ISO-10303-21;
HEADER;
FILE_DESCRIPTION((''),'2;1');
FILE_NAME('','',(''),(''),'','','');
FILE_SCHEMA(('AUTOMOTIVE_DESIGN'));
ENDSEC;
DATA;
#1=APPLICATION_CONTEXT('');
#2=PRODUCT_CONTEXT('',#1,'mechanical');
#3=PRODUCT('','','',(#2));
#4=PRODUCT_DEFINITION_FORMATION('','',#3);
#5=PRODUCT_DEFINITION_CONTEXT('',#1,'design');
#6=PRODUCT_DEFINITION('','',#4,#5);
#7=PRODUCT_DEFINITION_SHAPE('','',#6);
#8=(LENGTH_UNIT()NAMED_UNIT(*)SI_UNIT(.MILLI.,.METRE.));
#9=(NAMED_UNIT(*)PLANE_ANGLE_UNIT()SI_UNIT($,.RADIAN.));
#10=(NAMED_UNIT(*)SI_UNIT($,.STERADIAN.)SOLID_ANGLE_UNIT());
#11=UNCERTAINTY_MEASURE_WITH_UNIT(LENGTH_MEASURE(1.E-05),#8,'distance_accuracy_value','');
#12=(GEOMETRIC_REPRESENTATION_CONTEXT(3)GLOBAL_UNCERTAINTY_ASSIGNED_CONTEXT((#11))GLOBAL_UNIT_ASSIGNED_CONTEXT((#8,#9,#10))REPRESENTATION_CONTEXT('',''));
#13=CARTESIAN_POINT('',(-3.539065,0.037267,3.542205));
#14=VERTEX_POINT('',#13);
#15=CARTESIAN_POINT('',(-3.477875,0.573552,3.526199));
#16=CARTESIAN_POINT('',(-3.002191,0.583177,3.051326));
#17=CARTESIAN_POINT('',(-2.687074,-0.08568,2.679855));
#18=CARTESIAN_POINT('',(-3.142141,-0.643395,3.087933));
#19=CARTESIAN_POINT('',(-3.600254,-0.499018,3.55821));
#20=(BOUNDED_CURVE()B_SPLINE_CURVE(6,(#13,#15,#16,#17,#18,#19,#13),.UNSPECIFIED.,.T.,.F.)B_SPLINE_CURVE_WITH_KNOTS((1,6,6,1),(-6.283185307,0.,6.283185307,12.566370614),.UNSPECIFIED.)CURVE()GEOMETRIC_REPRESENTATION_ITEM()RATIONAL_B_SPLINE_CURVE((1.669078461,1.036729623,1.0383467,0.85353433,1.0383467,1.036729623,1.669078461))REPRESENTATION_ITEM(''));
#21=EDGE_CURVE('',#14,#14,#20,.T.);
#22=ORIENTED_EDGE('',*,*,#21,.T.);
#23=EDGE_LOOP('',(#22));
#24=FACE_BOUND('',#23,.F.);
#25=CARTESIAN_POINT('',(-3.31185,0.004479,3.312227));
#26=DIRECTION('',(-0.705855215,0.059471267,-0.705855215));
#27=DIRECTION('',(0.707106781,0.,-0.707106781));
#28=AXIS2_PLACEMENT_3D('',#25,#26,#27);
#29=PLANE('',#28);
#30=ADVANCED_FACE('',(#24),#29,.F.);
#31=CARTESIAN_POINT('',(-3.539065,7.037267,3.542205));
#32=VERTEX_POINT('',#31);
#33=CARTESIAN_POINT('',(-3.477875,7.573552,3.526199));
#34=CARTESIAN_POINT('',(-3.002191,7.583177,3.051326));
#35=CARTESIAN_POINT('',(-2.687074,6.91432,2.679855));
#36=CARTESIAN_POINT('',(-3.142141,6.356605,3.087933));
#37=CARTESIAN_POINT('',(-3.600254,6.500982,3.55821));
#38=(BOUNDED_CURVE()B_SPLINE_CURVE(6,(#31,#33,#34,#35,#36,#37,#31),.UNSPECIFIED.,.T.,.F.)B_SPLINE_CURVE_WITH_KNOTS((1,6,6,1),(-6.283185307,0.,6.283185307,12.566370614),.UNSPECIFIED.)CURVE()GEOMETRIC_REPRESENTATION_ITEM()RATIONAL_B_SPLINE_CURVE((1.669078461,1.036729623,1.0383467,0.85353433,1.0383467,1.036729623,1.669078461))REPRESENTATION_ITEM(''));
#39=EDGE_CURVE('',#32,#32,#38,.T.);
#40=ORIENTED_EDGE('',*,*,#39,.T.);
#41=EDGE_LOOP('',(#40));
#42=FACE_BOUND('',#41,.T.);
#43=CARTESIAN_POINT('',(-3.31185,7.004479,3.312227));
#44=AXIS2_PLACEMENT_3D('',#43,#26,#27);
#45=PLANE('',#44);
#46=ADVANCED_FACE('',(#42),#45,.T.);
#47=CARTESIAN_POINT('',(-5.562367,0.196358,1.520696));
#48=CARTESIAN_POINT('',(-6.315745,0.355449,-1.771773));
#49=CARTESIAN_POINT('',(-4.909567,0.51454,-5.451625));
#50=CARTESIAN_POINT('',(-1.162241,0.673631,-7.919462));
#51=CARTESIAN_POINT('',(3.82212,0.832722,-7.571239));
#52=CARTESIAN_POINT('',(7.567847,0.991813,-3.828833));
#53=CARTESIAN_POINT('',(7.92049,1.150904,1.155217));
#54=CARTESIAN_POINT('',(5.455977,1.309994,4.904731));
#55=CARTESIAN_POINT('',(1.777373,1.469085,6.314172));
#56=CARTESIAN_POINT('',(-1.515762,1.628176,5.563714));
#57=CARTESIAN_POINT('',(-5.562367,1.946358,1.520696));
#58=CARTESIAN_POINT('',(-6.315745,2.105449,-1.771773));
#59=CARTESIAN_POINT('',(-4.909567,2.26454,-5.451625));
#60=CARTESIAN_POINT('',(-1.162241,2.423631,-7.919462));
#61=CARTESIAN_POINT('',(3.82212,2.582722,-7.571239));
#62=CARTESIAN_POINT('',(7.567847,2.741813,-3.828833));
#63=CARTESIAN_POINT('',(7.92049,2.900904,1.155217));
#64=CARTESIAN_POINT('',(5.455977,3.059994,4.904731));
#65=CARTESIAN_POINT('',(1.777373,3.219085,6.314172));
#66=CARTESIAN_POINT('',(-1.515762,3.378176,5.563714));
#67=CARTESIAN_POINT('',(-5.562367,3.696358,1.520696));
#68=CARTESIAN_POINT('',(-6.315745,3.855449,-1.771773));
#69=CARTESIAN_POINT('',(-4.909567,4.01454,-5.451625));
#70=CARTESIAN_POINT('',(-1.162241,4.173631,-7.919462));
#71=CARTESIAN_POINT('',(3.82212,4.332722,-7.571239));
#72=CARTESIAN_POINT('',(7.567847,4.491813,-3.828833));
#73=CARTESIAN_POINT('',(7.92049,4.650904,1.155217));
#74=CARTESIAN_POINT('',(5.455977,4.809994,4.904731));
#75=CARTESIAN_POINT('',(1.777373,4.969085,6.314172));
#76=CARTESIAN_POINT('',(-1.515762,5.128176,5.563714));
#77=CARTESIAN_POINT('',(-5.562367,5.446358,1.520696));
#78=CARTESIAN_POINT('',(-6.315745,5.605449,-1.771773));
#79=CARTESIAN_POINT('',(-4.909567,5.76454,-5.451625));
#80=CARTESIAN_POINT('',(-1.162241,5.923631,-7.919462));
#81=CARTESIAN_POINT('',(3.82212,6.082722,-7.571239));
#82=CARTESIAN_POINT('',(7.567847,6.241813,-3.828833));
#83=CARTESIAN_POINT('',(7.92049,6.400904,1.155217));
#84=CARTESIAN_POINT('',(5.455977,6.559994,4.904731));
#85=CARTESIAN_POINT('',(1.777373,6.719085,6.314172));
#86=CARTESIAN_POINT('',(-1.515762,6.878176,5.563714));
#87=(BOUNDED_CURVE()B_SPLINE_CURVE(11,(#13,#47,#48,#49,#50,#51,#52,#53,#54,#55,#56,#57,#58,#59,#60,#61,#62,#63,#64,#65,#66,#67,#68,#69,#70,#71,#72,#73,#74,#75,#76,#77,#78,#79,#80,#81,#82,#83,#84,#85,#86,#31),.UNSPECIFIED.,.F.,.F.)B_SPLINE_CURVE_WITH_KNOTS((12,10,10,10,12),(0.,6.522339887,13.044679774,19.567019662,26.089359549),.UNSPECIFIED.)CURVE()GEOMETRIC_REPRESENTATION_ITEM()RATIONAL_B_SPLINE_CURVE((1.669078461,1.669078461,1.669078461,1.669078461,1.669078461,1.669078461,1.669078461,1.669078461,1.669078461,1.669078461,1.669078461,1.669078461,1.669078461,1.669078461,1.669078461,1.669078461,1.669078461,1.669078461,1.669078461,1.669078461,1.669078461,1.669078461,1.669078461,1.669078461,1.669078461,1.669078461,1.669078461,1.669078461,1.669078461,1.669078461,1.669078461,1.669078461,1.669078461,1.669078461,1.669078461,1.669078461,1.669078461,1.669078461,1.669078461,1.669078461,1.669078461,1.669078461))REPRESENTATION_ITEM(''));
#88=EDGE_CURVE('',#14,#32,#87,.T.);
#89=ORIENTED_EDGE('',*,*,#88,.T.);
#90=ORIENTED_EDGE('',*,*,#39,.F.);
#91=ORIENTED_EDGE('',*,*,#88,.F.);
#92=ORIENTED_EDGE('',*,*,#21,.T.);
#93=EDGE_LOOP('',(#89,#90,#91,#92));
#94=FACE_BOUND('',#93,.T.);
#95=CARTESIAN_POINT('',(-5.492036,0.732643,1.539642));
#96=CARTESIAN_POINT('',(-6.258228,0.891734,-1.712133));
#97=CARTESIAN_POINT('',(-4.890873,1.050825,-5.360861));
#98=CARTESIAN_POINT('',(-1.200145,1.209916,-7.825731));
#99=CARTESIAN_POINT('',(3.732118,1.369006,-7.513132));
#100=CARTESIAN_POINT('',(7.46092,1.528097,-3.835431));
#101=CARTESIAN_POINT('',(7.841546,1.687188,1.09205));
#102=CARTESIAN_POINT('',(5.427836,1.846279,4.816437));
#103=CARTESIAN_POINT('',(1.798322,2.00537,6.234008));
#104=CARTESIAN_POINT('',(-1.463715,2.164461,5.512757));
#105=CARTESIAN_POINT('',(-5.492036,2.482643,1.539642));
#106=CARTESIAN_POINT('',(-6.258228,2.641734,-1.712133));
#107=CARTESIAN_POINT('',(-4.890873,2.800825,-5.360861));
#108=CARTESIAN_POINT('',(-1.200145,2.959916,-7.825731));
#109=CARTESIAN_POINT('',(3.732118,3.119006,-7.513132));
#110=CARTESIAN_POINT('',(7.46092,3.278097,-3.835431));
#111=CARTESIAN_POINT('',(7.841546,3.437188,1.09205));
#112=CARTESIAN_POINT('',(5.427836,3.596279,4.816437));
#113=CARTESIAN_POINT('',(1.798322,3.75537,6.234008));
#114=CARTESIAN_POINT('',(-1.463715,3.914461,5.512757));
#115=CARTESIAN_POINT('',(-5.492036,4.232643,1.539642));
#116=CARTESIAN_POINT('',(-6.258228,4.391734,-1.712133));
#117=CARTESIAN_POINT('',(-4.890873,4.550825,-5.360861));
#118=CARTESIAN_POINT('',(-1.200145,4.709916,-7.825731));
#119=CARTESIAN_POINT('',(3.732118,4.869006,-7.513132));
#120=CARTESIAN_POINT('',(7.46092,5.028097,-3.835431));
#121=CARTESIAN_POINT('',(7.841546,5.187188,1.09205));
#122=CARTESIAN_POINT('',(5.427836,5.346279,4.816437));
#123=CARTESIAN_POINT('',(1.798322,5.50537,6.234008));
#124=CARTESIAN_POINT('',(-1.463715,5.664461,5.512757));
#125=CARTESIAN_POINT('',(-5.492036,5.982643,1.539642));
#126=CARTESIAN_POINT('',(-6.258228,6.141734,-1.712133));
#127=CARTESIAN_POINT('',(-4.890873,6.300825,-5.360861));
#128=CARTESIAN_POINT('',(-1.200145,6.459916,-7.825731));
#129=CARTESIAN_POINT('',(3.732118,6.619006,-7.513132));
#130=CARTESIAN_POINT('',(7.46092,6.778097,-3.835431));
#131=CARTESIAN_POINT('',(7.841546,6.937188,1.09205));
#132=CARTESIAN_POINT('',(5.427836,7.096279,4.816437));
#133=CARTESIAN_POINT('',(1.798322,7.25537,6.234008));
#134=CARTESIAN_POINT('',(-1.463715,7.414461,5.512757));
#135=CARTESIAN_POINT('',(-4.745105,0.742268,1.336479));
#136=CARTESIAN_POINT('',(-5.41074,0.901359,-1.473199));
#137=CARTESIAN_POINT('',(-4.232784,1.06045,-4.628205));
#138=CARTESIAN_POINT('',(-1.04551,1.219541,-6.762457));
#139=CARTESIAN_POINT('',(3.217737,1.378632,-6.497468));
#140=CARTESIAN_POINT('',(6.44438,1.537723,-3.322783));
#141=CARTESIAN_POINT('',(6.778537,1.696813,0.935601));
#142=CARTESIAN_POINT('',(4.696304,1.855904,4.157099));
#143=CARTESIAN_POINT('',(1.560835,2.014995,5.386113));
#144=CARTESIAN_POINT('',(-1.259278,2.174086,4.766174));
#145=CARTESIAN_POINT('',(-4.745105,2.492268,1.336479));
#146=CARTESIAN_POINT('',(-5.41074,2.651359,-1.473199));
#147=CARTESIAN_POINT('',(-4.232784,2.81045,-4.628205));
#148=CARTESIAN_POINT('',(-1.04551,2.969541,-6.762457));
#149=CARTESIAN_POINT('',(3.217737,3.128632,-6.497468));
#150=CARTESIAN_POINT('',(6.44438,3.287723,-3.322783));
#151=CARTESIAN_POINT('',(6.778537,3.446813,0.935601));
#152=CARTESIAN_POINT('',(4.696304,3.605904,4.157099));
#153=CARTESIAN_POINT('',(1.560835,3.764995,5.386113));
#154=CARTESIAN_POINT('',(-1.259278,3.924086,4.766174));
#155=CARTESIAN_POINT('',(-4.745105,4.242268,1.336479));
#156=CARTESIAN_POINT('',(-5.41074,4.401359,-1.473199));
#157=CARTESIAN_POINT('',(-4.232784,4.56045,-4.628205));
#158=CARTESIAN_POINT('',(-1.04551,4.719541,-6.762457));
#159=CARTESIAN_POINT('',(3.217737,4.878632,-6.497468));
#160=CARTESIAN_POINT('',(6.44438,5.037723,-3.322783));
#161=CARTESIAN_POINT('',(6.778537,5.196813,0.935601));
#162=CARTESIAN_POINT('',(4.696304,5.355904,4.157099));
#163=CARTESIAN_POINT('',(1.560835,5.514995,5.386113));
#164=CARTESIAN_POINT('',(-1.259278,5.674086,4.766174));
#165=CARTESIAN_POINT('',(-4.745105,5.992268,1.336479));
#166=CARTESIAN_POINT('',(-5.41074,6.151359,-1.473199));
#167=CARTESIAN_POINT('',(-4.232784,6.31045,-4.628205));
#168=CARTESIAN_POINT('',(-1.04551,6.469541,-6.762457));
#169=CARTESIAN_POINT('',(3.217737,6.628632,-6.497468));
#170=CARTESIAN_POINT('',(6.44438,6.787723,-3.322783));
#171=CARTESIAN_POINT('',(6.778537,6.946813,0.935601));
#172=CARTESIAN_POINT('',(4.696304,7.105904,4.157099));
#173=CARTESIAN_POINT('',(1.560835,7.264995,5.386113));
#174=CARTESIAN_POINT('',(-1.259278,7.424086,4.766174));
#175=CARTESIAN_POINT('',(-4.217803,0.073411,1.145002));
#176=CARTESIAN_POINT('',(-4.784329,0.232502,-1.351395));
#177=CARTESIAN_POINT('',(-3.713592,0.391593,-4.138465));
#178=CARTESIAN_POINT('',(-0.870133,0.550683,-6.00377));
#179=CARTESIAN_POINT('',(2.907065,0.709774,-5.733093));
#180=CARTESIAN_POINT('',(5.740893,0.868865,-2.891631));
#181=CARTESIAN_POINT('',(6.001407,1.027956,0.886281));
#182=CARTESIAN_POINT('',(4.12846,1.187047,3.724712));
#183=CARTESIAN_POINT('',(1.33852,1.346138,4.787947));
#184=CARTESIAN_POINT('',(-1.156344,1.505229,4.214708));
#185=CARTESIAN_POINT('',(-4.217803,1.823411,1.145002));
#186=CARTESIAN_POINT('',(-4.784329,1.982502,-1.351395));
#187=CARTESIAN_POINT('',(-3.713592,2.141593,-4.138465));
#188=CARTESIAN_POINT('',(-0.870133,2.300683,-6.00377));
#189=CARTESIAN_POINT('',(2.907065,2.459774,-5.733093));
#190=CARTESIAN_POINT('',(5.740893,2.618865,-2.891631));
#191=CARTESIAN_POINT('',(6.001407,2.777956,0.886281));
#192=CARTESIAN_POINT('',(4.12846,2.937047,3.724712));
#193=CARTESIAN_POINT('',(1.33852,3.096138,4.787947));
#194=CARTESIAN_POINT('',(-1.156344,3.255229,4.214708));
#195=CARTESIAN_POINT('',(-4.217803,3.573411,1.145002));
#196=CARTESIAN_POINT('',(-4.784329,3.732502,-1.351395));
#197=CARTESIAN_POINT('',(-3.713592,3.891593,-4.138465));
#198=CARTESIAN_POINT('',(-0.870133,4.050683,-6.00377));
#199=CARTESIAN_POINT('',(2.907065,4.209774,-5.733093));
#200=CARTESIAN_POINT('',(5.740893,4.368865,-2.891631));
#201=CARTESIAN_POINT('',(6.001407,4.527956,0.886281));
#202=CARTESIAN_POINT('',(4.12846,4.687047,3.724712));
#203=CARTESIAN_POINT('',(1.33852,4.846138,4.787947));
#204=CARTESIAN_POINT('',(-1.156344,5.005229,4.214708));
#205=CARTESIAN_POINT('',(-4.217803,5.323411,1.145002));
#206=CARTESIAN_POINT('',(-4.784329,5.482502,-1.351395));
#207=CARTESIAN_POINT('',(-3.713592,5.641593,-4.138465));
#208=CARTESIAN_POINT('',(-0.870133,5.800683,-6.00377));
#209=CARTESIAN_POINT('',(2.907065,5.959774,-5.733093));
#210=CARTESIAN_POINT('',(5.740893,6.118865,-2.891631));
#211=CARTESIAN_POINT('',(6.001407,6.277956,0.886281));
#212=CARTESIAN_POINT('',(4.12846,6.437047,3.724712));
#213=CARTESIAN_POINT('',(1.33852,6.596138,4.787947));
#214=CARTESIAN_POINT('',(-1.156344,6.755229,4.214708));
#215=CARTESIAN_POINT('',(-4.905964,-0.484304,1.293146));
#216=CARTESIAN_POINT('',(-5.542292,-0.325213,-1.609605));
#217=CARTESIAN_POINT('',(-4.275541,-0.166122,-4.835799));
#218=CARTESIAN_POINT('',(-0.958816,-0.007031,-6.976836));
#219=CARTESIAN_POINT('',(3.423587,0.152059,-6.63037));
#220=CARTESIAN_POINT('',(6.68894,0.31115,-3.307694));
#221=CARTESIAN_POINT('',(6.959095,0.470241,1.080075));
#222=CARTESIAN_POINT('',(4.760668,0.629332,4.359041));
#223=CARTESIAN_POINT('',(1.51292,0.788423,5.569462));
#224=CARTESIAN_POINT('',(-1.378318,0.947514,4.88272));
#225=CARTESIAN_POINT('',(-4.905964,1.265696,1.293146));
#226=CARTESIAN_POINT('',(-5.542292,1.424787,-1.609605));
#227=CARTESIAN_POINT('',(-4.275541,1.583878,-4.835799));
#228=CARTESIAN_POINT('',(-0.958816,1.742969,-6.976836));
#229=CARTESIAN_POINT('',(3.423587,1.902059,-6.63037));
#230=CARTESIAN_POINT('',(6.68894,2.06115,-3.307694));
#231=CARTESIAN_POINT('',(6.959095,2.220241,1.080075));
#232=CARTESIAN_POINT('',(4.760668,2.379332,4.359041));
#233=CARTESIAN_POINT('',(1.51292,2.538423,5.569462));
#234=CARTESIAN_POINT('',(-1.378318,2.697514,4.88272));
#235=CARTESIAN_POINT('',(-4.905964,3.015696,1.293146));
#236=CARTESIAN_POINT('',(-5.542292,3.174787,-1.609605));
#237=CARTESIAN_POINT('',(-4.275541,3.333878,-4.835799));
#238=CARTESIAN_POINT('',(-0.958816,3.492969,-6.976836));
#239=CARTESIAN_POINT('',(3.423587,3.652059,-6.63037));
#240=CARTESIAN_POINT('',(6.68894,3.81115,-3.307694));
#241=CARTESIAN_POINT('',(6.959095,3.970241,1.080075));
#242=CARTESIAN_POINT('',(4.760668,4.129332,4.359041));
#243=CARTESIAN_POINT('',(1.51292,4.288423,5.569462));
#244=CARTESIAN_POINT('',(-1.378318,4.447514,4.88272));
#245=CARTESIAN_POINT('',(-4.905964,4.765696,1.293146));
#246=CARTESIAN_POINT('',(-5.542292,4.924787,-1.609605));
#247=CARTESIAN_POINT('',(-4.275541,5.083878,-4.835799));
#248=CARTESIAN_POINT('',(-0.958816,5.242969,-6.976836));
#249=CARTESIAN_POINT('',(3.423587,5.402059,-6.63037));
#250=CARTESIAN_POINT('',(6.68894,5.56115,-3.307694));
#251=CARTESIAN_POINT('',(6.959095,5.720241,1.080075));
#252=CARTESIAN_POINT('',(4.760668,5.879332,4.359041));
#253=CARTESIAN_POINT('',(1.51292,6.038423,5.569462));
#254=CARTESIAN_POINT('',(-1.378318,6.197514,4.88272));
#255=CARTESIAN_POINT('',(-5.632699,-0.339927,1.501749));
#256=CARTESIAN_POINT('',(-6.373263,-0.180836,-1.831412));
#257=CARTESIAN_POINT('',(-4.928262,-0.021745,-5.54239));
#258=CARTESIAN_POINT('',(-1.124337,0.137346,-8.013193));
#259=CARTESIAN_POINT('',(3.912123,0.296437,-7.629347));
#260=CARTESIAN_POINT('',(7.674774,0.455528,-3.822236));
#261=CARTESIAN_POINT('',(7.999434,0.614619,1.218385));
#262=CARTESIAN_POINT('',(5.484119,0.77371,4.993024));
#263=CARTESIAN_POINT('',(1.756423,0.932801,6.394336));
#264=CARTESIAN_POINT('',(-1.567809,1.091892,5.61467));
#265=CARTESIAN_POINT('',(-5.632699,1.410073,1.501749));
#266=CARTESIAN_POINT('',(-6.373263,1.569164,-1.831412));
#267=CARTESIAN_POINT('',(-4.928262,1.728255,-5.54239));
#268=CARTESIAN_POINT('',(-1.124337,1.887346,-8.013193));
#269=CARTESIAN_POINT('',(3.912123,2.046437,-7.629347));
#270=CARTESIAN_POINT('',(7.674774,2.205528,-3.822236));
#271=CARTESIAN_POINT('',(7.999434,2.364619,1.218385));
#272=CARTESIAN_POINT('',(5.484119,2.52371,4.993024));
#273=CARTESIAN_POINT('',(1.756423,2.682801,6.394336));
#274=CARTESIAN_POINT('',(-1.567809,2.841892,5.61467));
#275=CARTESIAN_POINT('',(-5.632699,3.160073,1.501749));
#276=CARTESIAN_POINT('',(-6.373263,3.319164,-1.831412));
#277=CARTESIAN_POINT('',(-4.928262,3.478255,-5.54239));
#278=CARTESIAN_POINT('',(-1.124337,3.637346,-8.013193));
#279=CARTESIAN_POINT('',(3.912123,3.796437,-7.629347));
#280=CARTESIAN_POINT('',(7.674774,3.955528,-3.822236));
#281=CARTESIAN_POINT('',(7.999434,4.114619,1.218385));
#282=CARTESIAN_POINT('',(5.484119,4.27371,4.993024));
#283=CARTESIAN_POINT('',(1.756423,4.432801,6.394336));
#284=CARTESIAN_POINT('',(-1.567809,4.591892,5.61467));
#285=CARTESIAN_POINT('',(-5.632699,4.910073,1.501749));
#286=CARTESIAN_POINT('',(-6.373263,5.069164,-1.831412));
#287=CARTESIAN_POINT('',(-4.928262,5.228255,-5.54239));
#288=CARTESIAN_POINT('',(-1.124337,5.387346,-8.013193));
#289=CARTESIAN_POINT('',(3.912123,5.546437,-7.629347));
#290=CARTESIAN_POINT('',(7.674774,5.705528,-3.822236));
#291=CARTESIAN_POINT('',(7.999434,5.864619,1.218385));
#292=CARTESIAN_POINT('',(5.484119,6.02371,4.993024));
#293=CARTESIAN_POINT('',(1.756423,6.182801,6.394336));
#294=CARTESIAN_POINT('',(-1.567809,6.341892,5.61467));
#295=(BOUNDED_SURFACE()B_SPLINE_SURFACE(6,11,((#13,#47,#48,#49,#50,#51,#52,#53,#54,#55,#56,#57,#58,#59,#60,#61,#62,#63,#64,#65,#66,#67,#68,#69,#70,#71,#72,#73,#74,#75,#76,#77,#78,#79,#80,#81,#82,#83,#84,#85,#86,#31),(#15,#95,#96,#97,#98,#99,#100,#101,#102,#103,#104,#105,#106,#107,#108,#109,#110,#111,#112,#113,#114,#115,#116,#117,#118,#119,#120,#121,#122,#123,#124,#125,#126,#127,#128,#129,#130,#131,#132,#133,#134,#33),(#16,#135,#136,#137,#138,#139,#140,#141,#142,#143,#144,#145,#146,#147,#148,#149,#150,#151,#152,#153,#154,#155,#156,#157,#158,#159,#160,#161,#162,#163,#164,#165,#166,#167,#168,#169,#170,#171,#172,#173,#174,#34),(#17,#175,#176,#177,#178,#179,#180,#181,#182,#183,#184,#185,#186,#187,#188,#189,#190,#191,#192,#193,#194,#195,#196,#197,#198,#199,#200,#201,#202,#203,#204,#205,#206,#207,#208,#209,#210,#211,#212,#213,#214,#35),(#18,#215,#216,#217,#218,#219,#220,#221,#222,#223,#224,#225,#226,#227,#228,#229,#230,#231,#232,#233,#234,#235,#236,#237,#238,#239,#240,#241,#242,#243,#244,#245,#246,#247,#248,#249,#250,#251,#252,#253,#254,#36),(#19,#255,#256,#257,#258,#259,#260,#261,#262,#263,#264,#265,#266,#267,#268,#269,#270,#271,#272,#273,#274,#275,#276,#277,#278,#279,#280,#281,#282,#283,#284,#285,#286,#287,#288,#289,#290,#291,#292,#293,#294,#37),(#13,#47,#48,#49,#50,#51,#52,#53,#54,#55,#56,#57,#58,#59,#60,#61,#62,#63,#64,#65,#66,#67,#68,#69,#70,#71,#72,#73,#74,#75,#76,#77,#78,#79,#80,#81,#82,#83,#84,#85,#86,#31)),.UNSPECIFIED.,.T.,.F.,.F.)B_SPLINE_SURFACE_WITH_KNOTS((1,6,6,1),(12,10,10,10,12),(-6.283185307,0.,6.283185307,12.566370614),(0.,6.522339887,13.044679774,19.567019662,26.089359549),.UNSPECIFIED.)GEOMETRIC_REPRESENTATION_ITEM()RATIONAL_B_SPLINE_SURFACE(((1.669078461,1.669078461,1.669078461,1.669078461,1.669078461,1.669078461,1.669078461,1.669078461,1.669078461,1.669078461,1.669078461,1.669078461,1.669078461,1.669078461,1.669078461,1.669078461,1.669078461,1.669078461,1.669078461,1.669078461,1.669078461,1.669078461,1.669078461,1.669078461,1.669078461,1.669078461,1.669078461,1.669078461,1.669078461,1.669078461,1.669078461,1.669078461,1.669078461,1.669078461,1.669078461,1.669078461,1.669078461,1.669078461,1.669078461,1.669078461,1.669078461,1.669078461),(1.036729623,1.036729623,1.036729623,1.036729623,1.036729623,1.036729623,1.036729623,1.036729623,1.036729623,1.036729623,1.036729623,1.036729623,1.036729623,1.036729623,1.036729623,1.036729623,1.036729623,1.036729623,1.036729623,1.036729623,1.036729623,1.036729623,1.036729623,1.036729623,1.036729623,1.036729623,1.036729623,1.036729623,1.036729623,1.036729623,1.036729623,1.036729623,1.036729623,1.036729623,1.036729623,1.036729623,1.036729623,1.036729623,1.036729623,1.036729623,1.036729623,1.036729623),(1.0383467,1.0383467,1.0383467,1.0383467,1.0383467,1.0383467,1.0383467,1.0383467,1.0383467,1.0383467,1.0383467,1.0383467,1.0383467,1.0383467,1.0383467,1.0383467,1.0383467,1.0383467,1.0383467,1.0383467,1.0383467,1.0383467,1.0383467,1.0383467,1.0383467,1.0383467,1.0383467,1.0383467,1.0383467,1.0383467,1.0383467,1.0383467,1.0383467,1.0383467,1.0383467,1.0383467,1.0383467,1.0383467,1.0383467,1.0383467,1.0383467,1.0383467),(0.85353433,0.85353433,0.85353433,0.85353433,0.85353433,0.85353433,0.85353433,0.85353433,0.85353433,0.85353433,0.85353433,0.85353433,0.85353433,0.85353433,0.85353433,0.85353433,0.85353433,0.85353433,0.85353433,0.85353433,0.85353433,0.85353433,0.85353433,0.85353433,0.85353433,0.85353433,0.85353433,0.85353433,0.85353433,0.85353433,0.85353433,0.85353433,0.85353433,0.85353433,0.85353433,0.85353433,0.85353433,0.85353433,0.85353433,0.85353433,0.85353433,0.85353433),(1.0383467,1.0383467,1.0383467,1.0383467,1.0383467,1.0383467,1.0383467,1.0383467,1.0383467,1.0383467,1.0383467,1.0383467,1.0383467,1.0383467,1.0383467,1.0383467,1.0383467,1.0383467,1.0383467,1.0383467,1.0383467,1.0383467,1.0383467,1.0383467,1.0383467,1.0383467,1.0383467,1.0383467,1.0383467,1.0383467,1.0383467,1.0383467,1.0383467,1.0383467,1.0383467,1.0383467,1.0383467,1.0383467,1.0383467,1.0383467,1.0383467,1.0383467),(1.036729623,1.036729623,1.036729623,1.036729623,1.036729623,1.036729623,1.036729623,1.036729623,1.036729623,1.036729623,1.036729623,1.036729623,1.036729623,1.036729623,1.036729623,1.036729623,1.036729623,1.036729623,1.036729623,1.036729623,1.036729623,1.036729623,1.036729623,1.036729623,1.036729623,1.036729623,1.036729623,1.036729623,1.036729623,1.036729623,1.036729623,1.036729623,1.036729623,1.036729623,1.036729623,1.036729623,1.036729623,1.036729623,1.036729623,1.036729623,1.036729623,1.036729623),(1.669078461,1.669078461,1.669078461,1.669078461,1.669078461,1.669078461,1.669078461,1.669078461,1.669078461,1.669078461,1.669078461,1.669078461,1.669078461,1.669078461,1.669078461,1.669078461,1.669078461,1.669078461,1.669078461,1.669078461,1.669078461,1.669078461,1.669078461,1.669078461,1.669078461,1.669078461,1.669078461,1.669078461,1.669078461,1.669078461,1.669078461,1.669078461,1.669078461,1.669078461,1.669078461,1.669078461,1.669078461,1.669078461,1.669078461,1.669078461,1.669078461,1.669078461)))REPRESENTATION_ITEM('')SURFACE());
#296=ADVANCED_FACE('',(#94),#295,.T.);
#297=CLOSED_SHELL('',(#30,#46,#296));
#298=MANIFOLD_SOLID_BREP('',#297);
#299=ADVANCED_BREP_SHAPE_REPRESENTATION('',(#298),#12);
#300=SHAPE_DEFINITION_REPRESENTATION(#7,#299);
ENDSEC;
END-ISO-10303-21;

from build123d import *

# Parameters (mm, degrees)
SWEEP1_PITCH       = 1.75
SWEEP1_HEIGHT      = 7
SWEEP1_RADIUS      = 4.675
SWEEP1_START_ANGLE = -45
SKETCH4_R          = 0.325


with BuildPart() as part:
    # Sweep1: sweep along a helix
    with BuildLine() as sweep1_path:
        add(Helix(SWEEP1_PITCH, SWEEP1_HEIGHT, SWEEP1_RADIUS, center=(0, 0, 0), direction=(0, 1, 0), lefthand=True, mode=Mode.PRIVATE).rotate(Axis((0, 0, 0), (0, 1, 0)), SWEEP1_START_ANGLE))
    # Sketch4 → Sweep1 (sweep)
    with BuildSketch(Plane(origin=(-3.305724202, 0, 3.305724202), x_dir=(-0.6992342288358347, 0.10090366546936343, 0.7077357865186713), z_dir=(-0.7058552147604303, 0.059471266936546655, -0.7058552147604131))):
        with Locations((0.00928562, 0.003561064)):
            Circle(SKETCH4_R)
    sweep(path=sweep1_path.line, is_frenet=True)


solid = part.part
